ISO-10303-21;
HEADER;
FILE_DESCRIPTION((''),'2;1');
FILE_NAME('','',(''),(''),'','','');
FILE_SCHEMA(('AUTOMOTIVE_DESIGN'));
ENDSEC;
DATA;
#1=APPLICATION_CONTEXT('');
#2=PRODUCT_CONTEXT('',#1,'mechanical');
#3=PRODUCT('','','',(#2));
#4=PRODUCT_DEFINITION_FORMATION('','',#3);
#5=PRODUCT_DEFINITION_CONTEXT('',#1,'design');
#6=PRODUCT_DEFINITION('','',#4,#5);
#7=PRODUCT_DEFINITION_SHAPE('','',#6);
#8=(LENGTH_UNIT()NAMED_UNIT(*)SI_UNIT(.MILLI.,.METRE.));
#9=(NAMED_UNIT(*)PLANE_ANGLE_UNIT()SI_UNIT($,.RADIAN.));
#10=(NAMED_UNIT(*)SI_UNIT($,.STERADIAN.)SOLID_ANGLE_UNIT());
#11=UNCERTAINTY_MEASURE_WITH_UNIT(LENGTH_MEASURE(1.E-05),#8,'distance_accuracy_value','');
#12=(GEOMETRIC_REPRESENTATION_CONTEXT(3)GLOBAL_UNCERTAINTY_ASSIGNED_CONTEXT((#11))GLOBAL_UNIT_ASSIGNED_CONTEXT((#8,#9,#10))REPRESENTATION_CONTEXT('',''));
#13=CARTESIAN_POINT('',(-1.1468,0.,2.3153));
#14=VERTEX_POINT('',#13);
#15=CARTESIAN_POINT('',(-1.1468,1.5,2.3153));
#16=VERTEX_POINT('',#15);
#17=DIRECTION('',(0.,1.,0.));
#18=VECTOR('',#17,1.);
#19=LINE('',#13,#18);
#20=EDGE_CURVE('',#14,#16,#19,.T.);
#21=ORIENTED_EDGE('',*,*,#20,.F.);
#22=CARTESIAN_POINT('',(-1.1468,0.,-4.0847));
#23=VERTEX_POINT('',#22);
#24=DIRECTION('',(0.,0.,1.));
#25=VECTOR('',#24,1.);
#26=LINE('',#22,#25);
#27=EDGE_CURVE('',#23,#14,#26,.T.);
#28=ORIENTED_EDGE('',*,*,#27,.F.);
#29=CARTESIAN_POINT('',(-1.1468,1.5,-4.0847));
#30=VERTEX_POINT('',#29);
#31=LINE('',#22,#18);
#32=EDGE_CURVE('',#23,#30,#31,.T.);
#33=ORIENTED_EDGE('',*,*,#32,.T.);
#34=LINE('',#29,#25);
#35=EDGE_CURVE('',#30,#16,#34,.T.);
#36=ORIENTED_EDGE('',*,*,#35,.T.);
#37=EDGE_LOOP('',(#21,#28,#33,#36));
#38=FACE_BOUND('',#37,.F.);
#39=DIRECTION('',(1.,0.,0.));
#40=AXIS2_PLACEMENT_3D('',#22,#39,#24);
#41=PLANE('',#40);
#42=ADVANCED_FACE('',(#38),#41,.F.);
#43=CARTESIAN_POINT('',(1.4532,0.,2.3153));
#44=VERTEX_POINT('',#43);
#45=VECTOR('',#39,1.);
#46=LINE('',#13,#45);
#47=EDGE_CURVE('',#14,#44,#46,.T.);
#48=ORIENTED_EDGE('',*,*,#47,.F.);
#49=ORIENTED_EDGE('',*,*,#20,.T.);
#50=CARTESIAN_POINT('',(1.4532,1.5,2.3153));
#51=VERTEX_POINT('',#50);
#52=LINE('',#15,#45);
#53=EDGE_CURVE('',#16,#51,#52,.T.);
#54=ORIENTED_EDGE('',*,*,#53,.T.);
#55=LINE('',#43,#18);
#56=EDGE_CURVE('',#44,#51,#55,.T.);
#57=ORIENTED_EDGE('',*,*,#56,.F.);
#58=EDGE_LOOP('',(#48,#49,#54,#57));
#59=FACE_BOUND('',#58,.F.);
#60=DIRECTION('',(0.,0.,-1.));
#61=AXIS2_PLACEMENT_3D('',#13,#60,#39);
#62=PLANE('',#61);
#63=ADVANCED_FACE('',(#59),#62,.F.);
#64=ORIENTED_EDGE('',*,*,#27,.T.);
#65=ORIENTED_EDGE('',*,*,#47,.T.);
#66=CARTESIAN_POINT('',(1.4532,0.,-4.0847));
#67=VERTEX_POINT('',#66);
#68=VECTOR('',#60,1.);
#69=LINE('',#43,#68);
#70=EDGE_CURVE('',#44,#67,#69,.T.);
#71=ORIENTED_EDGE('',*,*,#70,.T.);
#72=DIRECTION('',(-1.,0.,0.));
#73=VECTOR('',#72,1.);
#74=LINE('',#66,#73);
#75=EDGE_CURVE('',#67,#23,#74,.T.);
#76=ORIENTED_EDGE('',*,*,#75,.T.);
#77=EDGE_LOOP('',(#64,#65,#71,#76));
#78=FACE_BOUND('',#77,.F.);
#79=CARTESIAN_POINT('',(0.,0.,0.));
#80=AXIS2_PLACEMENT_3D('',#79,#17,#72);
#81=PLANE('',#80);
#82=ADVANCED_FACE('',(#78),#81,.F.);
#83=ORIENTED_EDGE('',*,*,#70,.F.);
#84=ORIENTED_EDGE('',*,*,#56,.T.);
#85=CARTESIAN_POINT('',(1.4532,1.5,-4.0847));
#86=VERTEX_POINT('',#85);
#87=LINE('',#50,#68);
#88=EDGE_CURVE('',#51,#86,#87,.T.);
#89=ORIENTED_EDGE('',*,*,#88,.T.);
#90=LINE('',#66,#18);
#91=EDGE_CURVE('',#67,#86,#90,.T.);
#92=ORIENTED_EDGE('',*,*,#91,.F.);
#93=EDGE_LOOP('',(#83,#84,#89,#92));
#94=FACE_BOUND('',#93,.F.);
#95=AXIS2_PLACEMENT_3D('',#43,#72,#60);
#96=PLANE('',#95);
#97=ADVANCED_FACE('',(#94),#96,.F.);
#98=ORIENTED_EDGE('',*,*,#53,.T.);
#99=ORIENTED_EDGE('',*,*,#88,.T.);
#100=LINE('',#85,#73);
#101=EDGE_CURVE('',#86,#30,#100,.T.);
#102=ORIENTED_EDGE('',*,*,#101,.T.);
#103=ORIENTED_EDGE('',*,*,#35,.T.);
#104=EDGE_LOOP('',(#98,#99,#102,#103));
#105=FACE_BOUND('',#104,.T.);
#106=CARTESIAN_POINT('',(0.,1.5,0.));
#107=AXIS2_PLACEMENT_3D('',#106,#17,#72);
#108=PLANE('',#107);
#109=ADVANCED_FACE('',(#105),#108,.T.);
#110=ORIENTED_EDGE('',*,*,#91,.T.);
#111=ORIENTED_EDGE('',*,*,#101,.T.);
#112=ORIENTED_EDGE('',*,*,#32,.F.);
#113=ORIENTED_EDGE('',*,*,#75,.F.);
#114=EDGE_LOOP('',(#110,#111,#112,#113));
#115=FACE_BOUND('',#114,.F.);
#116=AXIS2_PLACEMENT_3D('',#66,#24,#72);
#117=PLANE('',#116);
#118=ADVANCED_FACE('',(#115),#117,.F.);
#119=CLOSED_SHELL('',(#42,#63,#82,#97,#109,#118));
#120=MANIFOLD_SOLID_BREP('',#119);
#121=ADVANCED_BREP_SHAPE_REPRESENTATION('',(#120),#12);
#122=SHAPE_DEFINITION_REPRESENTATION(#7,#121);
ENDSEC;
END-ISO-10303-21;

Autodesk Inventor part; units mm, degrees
ref_plane "YZ Plane" through (0, 0, 0) normal (1, 0, 0) x (0, 1, 0)
ref_plane "XZ Plane" through (0, 0, 0) normal (0, 1, 0) x (-1, 0, 0)
ref_plane "XY Plane" through (0, 0, 0) normal (0, 0, 1) x (1, 0, 0)
sketch "スケッチ1" plane through (0, 0, 0) normal (0, 1, 0) x (-1, 0, 0)
  line L0 (1.1468, 2.3153) -> (-1.4532, 2.3153)
  line L1 (-1.4532, 2.3153) -> (-1.4532, -4.0847)
  line L2 (-1.4532, -4.0847) -> (1.1468, -4.0847)
  line L3 (1.1468, -4.0847) -> (1.1468, 2.3153)
  point P0 (0, 0)
  dimension "d0" = 2.6
  dimension "d1" = 6.4
extrude "押し出し1" add sketch "スケッチ1" along normal blind 1.5
properties part number "RectOuterEye"
